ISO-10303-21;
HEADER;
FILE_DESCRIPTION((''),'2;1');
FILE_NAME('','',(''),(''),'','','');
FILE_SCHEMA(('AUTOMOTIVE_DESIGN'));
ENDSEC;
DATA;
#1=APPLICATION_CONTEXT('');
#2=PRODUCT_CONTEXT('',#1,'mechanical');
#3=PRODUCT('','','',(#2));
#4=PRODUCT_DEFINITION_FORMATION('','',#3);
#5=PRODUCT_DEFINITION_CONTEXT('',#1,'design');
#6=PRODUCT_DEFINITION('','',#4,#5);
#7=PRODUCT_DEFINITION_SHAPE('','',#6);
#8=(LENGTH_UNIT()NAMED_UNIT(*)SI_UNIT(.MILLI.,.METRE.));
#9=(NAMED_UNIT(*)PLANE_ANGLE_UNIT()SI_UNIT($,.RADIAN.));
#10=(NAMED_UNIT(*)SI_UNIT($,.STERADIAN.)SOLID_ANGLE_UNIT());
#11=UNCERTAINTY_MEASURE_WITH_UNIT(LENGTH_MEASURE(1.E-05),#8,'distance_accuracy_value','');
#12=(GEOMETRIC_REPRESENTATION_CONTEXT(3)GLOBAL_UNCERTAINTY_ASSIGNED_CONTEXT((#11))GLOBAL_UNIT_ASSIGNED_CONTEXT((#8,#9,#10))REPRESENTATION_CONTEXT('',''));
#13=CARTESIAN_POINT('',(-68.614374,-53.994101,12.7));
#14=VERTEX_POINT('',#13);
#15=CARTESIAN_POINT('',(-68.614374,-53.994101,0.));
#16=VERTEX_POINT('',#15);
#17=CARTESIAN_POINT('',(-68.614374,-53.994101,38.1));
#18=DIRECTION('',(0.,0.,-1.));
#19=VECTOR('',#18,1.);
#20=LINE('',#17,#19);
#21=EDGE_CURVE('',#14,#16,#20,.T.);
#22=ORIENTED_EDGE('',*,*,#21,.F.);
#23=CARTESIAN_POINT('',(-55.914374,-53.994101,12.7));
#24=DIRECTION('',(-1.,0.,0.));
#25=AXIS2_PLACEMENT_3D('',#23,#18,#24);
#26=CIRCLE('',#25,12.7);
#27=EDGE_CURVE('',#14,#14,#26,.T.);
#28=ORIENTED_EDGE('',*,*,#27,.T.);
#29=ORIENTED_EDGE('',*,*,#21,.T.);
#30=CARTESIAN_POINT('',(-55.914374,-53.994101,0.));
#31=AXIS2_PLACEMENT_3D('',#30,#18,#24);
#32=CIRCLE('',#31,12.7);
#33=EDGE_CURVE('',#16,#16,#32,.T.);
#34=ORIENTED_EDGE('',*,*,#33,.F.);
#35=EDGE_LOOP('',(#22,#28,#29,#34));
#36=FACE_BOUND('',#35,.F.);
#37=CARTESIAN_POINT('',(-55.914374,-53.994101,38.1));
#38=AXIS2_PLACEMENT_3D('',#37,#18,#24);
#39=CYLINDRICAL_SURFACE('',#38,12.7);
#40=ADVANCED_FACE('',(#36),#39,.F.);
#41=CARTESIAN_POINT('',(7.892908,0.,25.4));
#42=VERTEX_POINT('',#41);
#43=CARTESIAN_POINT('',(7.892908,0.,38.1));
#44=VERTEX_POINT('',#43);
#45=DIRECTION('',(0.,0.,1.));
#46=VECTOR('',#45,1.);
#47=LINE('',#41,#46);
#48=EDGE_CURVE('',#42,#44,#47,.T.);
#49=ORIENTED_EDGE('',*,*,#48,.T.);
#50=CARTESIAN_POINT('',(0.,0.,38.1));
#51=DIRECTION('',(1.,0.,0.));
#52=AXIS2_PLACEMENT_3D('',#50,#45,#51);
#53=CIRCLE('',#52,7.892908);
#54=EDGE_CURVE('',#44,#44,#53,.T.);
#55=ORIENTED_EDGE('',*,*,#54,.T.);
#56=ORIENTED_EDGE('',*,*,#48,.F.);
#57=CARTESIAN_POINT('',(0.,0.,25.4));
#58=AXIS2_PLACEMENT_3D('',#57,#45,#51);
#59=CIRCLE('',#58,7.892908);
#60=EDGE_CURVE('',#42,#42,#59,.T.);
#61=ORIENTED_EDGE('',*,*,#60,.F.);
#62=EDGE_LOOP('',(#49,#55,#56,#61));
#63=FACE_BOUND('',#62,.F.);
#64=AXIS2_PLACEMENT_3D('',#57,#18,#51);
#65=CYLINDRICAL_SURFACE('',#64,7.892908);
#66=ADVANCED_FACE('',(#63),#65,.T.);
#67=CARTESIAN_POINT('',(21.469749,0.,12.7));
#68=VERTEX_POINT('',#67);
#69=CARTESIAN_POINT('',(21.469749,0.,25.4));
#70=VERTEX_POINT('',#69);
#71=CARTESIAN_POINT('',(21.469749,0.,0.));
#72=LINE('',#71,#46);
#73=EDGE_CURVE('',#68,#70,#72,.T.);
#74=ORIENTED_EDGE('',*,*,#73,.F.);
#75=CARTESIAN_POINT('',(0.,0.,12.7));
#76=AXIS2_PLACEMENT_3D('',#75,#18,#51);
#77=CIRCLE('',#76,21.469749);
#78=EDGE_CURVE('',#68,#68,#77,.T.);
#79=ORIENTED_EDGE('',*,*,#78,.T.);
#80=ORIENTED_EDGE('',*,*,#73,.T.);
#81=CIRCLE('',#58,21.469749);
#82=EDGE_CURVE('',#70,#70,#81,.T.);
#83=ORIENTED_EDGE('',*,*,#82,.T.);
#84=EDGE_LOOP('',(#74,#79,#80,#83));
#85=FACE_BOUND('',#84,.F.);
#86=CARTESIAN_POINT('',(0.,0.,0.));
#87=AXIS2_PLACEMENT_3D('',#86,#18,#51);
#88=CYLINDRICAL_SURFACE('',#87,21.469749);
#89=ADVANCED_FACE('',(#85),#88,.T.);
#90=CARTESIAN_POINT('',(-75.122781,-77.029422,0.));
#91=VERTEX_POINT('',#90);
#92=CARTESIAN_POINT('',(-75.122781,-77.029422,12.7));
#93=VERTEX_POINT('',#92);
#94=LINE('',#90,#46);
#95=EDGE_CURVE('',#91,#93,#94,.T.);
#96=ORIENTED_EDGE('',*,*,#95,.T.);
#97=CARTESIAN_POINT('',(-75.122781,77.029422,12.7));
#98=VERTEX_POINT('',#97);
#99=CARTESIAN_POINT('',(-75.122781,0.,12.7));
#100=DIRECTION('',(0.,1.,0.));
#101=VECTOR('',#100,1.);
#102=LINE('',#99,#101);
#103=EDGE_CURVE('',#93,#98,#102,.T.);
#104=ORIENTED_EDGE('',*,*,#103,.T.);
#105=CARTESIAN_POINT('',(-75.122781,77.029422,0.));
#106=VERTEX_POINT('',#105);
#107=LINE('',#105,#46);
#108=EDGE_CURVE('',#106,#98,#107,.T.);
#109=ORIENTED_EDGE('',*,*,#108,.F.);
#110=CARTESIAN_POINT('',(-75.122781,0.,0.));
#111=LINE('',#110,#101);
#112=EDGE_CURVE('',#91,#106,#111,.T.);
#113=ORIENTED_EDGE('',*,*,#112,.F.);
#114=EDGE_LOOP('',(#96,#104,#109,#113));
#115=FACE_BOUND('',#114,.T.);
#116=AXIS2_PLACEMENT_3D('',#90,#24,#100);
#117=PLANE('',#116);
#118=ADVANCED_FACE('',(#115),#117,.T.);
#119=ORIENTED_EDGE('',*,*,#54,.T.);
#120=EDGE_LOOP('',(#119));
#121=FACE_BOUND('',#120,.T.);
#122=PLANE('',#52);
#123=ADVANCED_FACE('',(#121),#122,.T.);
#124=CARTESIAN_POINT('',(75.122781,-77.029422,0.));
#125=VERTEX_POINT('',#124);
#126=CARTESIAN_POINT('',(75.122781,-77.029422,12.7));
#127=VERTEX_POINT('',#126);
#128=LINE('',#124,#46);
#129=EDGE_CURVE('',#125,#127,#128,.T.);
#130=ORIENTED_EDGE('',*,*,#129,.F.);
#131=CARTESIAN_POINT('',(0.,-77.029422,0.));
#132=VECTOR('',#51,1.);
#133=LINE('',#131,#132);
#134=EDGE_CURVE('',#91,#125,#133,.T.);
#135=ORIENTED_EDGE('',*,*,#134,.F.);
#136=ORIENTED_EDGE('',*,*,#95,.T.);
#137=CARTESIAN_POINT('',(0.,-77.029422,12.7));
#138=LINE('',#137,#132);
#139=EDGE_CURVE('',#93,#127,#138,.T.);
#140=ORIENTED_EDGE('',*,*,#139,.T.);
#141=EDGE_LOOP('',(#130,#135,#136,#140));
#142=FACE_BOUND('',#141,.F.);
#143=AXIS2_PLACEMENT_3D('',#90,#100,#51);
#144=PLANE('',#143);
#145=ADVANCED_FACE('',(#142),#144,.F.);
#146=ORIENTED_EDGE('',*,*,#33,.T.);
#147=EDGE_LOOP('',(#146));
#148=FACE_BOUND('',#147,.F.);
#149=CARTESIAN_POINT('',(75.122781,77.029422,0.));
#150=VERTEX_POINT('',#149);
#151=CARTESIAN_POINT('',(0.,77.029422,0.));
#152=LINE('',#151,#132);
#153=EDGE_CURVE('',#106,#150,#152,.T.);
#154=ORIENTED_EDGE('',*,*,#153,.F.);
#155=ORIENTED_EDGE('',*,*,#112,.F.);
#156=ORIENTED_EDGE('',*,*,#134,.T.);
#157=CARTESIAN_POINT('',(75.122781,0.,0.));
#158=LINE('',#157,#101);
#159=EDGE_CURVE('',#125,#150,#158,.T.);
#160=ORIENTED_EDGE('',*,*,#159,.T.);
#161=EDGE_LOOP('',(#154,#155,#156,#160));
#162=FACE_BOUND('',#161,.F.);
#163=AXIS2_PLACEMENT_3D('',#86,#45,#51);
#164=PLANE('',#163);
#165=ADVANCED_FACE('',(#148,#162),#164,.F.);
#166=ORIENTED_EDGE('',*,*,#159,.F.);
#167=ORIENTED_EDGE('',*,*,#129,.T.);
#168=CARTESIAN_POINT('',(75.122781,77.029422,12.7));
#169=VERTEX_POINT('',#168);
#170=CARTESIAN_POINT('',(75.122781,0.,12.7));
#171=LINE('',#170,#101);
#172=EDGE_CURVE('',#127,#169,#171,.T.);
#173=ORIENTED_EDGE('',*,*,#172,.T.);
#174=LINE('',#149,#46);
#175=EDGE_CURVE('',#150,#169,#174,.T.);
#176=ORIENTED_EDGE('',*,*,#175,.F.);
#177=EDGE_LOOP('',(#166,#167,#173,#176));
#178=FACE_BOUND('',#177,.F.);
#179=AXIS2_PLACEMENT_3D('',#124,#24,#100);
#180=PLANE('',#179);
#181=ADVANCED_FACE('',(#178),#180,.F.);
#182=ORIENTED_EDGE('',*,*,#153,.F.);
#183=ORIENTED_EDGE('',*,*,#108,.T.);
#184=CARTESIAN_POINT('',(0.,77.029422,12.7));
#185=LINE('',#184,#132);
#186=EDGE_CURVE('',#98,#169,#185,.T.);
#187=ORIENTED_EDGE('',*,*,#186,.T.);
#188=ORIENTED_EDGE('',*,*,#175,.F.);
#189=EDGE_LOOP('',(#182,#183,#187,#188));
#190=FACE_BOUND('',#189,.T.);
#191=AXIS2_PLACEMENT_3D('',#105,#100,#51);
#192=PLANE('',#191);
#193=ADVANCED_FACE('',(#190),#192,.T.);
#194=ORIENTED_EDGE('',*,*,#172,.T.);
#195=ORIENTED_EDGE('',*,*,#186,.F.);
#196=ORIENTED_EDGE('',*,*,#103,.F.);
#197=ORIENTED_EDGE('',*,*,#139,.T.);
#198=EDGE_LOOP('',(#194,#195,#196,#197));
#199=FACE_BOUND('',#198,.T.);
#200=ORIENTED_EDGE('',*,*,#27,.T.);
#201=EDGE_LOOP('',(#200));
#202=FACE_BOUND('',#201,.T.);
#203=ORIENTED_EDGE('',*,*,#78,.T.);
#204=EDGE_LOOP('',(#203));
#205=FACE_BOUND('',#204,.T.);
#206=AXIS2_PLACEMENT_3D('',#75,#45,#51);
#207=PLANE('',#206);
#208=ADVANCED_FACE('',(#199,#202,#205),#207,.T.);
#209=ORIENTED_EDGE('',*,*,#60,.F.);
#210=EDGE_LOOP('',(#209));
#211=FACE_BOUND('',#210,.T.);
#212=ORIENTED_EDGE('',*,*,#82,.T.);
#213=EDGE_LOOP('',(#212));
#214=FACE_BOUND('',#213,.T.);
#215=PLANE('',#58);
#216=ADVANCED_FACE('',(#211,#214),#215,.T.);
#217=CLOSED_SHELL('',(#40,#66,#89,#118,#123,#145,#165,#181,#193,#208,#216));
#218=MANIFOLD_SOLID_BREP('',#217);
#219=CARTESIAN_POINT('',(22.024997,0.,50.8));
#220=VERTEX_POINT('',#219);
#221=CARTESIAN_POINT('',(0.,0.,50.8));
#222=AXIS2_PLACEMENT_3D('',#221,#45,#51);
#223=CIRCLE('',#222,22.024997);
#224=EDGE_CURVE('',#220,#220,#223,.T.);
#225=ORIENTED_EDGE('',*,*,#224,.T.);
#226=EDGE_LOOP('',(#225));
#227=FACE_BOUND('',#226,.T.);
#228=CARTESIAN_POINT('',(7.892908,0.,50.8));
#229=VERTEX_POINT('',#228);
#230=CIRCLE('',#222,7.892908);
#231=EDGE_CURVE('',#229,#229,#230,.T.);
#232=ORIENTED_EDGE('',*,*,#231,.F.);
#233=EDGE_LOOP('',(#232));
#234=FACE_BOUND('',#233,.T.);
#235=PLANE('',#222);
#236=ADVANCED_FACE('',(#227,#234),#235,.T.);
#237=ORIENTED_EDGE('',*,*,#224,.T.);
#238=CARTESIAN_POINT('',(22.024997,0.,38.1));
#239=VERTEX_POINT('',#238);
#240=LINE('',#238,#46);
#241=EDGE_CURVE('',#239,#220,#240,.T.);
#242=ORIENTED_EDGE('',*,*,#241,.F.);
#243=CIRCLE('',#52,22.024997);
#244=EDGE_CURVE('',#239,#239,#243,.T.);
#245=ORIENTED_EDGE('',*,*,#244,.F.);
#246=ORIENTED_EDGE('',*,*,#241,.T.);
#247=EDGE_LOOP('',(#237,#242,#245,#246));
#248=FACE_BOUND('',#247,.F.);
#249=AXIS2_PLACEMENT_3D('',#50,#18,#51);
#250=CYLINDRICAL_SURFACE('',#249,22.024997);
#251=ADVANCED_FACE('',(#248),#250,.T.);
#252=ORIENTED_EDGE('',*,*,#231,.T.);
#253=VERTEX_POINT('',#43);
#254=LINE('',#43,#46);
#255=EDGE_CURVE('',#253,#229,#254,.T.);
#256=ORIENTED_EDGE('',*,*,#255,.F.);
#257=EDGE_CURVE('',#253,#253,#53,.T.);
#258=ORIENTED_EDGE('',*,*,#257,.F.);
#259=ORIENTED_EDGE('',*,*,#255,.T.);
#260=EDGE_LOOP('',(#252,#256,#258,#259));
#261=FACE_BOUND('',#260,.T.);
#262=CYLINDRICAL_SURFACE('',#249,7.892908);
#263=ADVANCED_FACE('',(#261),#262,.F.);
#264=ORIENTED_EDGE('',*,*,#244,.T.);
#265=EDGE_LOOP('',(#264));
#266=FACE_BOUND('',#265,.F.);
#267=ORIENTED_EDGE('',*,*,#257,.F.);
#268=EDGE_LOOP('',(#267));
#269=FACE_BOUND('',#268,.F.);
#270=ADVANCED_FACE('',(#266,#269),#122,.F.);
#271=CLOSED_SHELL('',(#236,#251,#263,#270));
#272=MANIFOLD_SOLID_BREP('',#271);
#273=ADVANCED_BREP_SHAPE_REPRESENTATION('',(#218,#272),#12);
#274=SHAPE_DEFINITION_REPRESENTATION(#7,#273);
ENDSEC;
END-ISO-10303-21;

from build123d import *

# Parameters (mm, degrees)
F0_R     = 21.469749
F1_DEPTH = 25.4
F2_W     = 150.245562
F2_H     = 154.058844
F3_DEPTH = 12.7
F4_R     = 7.892908
F5_DEPTH = 12.7
F6_R     = 22.024997
F6_R_2   = 7.892908
F7_DEPTH = 12.7
F9_D     = 25.4
F9_DEPTH = 25.4


with BuildPart() as f1:
    # F0 (on Top) → F1 (new body)
    with BuildSketch(Plane.XY):
        Circle(F0_R)
    extrude(amount=F1_DEPTH)

    # F2 (on Top) → F3 (join)
    with BuildSketch(Plane.XY):
        Rectangle(F2_W, F2_H)
    extrude(amount=F3_DEPTH)

    # F4 (on face) → F5 (join)
    with BuildSketch(Plane.XY.offset(25.4)):
        Circle(F4_R)
    extrude(amount=F5_DEPTH)

    # F9
    with Locations(Plane.XY.offset(12.7)):
        with Locations((-55.914374, -53.994101)):
            Hole(F9_D / 2, depth=F9_DEPTH)


with BuildPart() as f7:
    # F6 (on face) → F7 (new body)
    with BuildSketch(Plane.XY.offset(38.1)):
        Circle(F6_R)
        Circle(F6_R_2, mode=Mode.SUBTRACT)
    extrude(amount=F7_DEPTH)


solid = Compound([f1.part, f7.part])
